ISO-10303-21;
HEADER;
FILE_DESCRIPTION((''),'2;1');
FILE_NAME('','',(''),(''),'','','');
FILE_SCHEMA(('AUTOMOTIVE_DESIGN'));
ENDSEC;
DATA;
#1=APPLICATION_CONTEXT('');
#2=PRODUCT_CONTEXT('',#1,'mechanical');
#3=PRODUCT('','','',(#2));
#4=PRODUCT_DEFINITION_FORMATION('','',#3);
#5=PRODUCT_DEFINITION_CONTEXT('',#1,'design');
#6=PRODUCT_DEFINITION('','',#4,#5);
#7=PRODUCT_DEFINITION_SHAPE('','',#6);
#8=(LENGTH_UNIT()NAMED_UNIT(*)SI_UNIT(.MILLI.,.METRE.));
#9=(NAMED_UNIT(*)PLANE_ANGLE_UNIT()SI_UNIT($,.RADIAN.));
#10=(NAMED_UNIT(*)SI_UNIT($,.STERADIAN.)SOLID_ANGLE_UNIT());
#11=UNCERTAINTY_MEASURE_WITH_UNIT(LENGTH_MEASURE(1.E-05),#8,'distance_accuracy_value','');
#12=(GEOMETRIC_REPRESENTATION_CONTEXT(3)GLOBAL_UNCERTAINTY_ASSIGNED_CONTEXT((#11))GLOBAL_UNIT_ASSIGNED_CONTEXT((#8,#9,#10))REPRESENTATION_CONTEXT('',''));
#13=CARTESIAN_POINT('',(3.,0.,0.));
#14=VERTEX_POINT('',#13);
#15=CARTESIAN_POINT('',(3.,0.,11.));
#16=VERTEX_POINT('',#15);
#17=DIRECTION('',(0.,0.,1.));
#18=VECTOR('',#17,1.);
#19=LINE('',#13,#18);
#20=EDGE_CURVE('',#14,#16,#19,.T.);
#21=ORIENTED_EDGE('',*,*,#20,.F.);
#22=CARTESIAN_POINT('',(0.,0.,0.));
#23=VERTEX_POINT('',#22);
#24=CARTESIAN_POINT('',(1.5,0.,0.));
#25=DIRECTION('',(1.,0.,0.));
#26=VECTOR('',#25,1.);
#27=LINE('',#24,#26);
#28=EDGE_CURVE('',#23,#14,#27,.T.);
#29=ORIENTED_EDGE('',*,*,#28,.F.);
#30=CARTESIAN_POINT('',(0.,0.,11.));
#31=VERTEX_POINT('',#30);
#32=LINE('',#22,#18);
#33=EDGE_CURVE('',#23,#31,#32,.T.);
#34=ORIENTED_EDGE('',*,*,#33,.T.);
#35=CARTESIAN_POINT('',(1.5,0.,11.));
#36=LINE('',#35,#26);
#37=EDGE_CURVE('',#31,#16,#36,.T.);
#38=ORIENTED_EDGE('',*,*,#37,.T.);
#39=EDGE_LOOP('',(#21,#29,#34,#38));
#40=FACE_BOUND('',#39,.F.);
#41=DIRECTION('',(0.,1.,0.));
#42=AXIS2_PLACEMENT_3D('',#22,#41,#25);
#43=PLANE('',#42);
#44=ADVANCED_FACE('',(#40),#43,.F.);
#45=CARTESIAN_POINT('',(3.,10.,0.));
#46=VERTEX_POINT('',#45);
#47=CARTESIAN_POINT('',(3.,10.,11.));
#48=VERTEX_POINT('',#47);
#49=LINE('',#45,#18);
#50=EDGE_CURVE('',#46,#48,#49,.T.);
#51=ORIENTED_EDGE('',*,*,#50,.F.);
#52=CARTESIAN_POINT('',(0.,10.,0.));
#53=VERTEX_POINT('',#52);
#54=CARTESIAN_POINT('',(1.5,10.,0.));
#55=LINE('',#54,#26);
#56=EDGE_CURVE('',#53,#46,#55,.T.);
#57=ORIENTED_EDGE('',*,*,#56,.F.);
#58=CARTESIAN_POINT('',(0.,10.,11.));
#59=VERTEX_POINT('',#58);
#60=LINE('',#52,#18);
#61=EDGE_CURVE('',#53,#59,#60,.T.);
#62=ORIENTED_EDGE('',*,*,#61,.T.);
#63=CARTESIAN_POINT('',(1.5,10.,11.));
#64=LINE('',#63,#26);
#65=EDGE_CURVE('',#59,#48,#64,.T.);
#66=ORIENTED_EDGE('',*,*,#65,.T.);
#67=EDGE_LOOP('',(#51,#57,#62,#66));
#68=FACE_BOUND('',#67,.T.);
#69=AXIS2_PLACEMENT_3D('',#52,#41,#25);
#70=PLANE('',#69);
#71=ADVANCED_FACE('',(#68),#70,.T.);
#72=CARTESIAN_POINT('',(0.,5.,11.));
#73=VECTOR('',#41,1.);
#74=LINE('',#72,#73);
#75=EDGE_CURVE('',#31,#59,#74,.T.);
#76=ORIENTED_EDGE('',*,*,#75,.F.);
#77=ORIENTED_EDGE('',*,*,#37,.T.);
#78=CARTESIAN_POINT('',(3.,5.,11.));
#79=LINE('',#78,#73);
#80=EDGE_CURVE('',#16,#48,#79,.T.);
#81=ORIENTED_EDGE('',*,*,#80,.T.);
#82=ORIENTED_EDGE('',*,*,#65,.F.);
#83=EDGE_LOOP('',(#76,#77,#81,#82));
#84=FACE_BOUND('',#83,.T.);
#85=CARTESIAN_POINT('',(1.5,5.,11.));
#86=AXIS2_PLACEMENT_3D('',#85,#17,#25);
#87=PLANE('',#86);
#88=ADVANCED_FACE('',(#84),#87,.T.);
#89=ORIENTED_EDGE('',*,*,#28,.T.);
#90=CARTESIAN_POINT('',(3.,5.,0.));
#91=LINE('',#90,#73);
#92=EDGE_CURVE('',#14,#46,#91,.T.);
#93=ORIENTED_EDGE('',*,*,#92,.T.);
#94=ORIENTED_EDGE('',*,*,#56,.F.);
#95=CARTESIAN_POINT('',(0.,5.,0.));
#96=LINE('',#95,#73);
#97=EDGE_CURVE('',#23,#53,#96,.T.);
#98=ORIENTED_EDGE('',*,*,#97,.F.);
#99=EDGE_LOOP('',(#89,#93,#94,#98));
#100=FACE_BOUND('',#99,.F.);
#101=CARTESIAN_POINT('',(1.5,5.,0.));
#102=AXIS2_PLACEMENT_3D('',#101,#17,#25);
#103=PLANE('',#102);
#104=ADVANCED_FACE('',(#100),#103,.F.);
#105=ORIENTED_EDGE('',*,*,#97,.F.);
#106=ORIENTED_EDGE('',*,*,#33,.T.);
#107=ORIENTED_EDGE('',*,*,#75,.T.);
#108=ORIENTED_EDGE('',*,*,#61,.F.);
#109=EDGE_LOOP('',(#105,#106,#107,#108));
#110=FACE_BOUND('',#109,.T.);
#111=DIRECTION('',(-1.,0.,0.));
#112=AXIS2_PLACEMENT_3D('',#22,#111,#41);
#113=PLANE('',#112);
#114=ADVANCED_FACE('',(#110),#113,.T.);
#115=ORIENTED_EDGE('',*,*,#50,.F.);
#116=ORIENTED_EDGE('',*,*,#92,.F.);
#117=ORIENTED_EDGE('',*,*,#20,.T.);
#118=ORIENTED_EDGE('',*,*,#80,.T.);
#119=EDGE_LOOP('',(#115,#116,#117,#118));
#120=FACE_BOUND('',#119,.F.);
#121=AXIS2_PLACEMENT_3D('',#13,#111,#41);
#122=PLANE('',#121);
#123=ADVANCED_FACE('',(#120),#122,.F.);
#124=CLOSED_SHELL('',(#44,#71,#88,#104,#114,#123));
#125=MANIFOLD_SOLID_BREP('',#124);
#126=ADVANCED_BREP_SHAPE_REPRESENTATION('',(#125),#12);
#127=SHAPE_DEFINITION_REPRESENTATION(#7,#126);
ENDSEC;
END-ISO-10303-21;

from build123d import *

# Parameters (mm, degrees)
BOX_W     = 3
BOX_H     = 10
BOX_DEPTH = 11


with BuildPart() as part:
    # Box → Box (new body)
    with BuildSketch(Plane.XY):
        with Locations((1.5, 5)):
            Rectangle(BOX_W, BOX_H)
    extrude(amount=BOX_DEPTH)


solid = part.part
